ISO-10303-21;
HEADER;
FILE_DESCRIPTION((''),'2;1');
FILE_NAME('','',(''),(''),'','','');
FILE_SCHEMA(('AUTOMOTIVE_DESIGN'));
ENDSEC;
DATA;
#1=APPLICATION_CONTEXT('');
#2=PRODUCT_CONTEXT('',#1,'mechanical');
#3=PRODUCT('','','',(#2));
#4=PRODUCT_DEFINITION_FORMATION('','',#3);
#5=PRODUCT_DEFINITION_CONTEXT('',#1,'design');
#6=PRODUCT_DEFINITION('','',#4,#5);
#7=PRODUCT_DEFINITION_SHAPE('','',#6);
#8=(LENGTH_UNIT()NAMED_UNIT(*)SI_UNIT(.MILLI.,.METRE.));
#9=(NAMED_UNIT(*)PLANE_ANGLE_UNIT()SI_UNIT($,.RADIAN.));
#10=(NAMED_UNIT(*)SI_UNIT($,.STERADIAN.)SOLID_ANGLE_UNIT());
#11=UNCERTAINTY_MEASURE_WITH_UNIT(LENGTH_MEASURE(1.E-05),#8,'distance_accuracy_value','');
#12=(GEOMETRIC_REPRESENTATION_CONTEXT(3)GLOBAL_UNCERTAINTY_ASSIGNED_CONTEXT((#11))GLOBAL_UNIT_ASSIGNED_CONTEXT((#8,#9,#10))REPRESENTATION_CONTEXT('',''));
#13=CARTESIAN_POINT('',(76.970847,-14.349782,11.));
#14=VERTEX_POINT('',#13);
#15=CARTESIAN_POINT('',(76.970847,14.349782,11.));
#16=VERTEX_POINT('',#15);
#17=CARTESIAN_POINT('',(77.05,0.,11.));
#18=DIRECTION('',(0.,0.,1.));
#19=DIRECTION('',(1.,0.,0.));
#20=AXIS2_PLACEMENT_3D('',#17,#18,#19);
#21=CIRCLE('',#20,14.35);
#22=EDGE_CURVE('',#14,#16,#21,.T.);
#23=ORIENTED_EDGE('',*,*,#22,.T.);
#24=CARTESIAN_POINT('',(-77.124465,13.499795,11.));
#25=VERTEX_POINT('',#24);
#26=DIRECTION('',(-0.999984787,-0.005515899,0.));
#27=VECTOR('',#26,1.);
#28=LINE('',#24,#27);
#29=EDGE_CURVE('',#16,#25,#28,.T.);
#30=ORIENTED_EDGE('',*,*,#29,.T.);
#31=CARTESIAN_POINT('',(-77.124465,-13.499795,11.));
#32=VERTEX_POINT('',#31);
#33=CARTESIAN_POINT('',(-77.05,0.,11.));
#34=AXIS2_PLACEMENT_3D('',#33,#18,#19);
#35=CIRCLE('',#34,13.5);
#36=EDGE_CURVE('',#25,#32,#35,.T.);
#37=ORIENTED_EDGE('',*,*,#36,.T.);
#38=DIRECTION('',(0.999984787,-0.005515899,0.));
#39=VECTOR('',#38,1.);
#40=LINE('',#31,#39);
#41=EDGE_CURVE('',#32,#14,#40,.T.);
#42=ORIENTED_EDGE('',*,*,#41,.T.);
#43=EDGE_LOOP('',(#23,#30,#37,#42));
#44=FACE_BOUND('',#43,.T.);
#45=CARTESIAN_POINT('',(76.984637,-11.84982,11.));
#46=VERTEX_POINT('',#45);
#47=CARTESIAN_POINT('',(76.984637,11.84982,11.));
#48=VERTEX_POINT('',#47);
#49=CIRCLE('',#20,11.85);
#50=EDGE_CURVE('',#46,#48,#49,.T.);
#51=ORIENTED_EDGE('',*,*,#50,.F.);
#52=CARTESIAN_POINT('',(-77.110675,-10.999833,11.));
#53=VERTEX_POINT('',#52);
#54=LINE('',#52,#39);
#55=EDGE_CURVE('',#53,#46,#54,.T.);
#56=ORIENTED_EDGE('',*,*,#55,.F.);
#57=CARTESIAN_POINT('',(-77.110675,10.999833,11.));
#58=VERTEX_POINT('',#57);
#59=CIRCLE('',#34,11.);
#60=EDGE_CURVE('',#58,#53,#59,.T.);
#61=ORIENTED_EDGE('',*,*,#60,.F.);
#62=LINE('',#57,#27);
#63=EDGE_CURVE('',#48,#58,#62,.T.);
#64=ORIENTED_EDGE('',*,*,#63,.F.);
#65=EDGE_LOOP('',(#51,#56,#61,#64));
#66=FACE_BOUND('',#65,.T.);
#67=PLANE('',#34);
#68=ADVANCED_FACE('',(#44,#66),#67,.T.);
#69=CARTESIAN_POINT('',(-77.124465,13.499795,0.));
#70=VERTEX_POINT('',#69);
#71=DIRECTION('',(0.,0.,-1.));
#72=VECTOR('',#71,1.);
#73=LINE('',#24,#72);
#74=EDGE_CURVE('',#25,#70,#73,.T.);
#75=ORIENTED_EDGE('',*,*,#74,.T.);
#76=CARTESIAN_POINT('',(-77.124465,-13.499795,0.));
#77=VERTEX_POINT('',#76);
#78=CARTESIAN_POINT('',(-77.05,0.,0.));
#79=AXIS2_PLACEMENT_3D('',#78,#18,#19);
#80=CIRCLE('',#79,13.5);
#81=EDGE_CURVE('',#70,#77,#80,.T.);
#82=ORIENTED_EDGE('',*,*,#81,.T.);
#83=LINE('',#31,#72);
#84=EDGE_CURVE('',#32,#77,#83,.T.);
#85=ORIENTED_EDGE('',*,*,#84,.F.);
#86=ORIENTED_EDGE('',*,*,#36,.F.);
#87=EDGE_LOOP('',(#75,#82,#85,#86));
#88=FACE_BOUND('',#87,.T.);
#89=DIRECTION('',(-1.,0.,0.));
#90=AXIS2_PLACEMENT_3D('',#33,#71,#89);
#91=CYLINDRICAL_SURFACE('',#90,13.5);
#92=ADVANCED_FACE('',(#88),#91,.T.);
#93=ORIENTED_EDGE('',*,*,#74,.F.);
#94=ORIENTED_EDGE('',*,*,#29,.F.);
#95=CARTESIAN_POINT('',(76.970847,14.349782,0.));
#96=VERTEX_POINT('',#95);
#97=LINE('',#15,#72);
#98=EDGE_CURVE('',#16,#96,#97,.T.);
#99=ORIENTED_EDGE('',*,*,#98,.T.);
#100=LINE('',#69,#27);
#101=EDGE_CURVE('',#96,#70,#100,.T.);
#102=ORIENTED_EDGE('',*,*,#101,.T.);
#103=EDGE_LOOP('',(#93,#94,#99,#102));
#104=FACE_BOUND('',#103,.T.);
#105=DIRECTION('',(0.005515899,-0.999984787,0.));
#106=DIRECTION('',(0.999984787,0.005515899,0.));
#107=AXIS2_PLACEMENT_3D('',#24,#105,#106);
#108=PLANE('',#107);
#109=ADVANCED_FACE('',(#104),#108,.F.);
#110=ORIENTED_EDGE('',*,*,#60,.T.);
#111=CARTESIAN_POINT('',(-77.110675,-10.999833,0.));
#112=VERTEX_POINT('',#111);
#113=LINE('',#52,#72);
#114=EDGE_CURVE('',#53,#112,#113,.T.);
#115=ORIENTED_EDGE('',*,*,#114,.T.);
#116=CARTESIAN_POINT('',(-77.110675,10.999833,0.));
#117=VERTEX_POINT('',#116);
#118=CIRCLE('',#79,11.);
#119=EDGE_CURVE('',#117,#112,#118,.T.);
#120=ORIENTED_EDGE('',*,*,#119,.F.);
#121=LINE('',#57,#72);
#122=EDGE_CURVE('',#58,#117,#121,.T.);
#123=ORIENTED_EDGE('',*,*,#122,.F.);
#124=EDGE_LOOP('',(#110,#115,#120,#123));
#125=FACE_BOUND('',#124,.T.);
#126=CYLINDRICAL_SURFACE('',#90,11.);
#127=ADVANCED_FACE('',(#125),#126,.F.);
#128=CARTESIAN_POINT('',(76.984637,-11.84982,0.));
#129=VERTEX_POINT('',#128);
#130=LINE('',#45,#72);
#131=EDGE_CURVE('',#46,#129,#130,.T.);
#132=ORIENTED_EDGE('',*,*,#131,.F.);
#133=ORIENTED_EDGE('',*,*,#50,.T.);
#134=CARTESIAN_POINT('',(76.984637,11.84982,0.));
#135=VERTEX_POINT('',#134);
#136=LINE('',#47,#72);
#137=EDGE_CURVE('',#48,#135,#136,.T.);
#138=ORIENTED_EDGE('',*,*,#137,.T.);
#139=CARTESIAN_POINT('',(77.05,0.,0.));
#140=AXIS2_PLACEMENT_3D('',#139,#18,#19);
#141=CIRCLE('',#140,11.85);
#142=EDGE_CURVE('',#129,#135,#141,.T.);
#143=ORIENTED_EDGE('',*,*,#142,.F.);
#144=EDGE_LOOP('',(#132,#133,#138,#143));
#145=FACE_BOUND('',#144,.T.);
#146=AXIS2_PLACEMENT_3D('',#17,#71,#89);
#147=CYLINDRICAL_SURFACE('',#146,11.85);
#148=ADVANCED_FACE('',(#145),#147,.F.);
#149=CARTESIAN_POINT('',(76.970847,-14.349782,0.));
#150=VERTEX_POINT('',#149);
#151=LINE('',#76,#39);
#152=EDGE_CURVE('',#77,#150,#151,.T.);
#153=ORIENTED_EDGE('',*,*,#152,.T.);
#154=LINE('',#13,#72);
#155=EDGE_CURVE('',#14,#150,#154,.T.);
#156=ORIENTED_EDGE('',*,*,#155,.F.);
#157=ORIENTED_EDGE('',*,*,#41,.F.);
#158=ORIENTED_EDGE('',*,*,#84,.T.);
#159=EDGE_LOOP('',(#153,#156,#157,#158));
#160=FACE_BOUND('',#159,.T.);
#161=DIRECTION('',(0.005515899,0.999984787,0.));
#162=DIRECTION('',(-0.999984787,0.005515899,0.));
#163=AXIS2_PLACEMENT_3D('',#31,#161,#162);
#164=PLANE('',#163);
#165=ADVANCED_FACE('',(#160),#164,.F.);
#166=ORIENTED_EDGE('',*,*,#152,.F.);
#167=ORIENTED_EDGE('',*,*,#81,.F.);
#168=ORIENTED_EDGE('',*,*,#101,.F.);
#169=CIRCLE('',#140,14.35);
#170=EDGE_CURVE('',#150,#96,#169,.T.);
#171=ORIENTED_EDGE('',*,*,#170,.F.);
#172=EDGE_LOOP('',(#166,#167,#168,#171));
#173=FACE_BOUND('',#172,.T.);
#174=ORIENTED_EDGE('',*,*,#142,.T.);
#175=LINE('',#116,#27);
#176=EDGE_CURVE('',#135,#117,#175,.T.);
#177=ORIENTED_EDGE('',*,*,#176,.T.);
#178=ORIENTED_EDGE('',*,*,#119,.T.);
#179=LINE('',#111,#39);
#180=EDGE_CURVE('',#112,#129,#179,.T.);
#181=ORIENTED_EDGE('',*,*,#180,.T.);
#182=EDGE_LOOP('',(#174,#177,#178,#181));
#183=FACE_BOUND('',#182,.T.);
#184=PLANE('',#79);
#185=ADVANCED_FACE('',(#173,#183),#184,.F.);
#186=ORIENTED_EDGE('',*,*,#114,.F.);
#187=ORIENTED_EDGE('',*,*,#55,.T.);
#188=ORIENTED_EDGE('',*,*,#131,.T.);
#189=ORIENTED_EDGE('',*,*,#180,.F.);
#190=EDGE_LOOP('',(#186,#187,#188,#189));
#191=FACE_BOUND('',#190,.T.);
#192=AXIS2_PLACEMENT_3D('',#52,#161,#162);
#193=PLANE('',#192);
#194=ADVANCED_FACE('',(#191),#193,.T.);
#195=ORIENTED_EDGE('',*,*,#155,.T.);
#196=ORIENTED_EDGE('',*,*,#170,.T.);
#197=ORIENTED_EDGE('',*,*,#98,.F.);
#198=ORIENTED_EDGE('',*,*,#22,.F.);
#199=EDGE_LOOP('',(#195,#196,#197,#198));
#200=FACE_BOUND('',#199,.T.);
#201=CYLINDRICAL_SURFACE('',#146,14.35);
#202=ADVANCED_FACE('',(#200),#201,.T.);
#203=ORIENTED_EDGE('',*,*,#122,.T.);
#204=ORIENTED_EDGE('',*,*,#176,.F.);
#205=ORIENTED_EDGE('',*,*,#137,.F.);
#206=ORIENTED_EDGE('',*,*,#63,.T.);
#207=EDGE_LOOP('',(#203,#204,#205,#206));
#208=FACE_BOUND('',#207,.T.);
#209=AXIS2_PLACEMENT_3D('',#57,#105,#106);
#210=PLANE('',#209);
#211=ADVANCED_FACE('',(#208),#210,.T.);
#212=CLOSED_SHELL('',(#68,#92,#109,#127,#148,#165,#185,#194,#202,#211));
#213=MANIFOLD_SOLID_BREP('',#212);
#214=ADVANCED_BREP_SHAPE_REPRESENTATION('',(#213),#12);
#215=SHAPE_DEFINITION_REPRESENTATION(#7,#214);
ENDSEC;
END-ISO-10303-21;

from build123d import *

# Parameters (mm, degrees)
BOSS_EXTRUDE1_DEPTH = 11


with BuildPart() as part:
    # Sketch2 → Boss-Extrude1 (new body)
    with BuildSketch(Plane.XY):
        with BuildLine():
            Line((-77.124464631, 13.499794629), (76.97084685, 14.349781698))
            ThreePointArc((76.97084685, 14.349781698), (91.399999997, 0), (76.97084685, -14.349781698))
            Line((76.97084685, -14.349781698), (-77.124464631, -13.499794629))
            ThreePointArc((-77.124464631, -13.499794629), (-90.549999997, 0), (-77.124464631, 13.499794629))
        make_face()
        with BuildLine():
            Line((-77.110674884, 10.99983266), (76.984636597, 11.84981973))
            ThreePointArc((76.984636597, 11.84981973), (88.899999997, 0), (76.984636597, -11.84981973))
            Line((76.984636597, -11.84981973), (-77.110674884, -10.99983266))
            ThreePointArc((-77.110674884, -10.99983266), (-88.049999997, 0), (-77.110674884, 10.99983266))
        make_face(mode=Mode.SUBTRACT)
    extrude(amount=BOSS_EXTRUDE1_DEPTH)


solid = part.part
